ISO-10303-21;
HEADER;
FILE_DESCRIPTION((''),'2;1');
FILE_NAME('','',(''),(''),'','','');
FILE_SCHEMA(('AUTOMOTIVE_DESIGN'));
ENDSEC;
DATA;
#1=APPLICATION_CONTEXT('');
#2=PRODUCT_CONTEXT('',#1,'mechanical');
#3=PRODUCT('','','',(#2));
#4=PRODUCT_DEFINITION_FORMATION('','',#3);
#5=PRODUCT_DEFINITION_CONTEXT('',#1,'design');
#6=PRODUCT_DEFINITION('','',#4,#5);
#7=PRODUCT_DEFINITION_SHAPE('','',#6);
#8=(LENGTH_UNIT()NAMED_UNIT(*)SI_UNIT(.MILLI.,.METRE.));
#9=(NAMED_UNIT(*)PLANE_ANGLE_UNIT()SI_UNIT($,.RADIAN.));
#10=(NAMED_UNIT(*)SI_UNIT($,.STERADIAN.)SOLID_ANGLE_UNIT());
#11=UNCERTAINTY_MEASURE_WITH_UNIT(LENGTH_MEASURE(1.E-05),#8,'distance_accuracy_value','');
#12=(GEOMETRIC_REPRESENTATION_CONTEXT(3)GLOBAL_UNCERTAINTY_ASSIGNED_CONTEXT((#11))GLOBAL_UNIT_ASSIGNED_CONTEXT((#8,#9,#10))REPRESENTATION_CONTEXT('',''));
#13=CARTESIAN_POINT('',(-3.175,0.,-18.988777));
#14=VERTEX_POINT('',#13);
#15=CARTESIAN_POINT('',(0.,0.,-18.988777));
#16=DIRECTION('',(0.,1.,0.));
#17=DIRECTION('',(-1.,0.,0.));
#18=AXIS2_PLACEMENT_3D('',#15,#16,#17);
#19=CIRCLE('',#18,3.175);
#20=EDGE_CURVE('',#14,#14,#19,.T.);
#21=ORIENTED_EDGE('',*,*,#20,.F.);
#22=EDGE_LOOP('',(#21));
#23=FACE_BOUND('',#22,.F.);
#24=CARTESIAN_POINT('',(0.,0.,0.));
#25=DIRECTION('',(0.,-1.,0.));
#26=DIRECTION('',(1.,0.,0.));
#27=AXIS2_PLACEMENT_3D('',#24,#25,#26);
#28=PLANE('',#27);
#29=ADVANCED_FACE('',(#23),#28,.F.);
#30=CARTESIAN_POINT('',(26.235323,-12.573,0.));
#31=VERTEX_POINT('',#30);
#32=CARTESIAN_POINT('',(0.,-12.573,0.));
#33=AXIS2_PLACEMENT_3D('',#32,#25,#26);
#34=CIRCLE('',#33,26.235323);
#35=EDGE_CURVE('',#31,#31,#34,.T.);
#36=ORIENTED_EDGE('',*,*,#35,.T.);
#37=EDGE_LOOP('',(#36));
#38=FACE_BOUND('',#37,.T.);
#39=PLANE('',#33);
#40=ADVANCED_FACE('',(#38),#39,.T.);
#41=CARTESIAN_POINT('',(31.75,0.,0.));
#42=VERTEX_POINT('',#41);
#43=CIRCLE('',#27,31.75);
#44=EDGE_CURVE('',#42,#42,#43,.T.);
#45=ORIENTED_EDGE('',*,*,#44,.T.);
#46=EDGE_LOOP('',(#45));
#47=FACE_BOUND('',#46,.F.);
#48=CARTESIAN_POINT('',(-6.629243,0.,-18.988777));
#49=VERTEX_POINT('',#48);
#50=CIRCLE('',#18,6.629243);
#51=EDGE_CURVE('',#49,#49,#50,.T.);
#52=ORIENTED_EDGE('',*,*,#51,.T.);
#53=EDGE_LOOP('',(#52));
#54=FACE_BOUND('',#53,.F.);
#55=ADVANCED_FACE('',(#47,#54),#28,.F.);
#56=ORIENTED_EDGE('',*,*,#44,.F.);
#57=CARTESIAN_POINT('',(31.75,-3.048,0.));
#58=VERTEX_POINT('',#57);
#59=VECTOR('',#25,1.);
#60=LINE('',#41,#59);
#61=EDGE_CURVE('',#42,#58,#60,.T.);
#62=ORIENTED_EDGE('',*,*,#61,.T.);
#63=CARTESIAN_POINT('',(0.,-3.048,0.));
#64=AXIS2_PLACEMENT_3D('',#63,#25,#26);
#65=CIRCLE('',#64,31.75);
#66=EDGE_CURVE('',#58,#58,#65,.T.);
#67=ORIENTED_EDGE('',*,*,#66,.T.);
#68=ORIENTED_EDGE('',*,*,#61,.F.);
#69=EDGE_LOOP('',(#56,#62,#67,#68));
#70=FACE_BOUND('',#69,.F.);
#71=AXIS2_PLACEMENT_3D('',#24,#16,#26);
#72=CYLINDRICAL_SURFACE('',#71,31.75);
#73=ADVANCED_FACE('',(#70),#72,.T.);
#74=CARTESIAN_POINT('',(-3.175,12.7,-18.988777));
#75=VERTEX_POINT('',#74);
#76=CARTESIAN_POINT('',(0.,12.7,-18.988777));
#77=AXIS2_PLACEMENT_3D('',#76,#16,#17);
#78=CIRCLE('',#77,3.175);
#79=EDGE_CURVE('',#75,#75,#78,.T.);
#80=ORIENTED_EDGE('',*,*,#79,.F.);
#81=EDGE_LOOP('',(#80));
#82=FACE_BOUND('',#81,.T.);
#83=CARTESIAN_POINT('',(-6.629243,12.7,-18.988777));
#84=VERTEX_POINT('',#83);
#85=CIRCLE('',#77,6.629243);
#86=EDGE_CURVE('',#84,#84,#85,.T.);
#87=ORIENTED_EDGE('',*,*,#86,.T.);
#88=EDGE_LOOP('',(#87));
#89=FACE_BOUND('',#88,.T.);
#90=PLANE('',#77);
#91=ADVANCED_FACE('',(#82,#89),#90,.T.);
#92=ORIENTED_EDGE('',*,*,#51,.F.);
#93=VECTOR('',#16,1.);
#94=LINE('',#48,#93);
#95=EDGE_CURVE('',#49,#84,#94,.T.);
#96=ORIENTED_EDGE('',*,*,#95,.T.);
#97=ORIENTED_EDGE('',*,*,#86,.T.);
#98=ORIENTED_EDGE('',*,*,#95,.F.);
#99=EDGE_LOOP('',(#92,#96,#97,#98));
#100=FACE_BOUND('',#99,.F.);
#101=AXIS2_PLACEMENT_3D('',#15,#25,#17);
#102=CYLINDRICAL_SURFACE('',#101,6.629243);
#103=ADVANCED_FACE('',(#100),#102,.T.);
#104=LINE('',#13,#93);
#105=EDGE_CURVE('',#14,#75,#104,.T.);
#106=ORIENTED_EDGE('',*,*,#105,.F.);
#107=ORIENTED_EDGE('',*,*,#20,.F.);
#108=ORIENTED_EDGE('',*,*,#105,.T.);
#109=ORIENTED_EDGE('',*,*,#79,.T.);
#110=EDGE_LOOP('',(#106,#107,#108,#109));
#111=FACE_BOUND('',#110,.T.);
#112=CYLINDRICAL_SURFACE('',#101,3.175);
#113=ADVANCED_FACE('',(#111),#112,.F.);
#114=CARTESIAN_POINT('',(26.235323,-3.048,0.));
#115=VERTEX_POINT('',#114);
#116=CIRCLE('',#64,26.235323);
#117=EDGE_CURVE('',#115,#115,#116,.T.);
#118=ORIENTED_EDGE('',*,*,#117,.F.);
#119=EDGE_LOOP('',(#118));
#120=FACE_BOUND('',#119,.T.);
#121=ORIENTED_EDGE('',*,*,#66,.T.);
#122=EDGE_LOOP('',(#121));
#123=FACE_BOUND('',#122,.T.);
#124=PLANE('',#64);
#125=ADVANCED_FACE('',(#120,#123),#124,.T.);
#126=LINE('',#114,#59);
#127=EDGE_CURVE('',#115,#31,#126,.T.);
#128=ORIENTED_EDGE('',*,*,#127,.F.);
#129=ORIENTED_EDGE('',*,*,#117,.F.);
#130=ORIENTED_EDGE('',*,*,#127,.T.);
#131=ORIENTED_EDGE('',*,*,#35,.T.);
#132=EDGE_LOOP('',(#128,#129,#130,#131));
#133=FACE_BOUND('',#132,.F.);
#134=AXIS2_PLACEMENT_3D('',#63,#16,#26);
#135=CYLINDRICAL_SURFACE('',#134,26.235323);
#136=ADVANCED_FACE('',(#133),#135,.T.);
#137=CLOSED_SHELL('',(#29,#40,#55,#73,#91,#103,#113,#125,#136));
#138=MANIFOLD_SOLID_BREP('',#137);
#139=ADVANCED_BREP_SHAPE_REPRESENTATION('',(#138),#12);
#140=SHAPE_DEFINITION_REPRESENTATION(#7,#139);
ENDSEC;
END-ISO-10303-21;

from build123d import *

# Parameters (mm, degrees)
F0_R     = 31.75
F1_DEPTH = 3.048
F2_R     = 26.235323
F3_DEPTH = 9.525
F4_R     = 6.629243
F4_R_2   = 3.175
F5_DEPTH = 12.7


with BuildPart() as f1:
    # F0 (on Front) → F1 (new body)
    with BuildSketch(Plane.XZ):
        Circle(F0_R)
    extrude(amount=F1_DEPTH)

    # F2 (on face) → F3 (join)
    with BuildSketch(Plane.XZ.offset(3.048)):
        Circle(F2_R)
    extrude(amount=F3_DEPTH)

    # F4 (on face) → F5 (join)
    with BuildSketch(Plane(origin=(0, 0, 0), x_dir=(-1, 0, 0), z_dir=(0, 1, 0))):
        with Locations((0, -18.988777)):
            Circle(F4_R)
        with Locations((0, -18.988777)):
            Circle(F4_R_2, mode=Mode.SUBTRACT)
    extrude(amount=F5_DEPTH)


solid = f1.part
